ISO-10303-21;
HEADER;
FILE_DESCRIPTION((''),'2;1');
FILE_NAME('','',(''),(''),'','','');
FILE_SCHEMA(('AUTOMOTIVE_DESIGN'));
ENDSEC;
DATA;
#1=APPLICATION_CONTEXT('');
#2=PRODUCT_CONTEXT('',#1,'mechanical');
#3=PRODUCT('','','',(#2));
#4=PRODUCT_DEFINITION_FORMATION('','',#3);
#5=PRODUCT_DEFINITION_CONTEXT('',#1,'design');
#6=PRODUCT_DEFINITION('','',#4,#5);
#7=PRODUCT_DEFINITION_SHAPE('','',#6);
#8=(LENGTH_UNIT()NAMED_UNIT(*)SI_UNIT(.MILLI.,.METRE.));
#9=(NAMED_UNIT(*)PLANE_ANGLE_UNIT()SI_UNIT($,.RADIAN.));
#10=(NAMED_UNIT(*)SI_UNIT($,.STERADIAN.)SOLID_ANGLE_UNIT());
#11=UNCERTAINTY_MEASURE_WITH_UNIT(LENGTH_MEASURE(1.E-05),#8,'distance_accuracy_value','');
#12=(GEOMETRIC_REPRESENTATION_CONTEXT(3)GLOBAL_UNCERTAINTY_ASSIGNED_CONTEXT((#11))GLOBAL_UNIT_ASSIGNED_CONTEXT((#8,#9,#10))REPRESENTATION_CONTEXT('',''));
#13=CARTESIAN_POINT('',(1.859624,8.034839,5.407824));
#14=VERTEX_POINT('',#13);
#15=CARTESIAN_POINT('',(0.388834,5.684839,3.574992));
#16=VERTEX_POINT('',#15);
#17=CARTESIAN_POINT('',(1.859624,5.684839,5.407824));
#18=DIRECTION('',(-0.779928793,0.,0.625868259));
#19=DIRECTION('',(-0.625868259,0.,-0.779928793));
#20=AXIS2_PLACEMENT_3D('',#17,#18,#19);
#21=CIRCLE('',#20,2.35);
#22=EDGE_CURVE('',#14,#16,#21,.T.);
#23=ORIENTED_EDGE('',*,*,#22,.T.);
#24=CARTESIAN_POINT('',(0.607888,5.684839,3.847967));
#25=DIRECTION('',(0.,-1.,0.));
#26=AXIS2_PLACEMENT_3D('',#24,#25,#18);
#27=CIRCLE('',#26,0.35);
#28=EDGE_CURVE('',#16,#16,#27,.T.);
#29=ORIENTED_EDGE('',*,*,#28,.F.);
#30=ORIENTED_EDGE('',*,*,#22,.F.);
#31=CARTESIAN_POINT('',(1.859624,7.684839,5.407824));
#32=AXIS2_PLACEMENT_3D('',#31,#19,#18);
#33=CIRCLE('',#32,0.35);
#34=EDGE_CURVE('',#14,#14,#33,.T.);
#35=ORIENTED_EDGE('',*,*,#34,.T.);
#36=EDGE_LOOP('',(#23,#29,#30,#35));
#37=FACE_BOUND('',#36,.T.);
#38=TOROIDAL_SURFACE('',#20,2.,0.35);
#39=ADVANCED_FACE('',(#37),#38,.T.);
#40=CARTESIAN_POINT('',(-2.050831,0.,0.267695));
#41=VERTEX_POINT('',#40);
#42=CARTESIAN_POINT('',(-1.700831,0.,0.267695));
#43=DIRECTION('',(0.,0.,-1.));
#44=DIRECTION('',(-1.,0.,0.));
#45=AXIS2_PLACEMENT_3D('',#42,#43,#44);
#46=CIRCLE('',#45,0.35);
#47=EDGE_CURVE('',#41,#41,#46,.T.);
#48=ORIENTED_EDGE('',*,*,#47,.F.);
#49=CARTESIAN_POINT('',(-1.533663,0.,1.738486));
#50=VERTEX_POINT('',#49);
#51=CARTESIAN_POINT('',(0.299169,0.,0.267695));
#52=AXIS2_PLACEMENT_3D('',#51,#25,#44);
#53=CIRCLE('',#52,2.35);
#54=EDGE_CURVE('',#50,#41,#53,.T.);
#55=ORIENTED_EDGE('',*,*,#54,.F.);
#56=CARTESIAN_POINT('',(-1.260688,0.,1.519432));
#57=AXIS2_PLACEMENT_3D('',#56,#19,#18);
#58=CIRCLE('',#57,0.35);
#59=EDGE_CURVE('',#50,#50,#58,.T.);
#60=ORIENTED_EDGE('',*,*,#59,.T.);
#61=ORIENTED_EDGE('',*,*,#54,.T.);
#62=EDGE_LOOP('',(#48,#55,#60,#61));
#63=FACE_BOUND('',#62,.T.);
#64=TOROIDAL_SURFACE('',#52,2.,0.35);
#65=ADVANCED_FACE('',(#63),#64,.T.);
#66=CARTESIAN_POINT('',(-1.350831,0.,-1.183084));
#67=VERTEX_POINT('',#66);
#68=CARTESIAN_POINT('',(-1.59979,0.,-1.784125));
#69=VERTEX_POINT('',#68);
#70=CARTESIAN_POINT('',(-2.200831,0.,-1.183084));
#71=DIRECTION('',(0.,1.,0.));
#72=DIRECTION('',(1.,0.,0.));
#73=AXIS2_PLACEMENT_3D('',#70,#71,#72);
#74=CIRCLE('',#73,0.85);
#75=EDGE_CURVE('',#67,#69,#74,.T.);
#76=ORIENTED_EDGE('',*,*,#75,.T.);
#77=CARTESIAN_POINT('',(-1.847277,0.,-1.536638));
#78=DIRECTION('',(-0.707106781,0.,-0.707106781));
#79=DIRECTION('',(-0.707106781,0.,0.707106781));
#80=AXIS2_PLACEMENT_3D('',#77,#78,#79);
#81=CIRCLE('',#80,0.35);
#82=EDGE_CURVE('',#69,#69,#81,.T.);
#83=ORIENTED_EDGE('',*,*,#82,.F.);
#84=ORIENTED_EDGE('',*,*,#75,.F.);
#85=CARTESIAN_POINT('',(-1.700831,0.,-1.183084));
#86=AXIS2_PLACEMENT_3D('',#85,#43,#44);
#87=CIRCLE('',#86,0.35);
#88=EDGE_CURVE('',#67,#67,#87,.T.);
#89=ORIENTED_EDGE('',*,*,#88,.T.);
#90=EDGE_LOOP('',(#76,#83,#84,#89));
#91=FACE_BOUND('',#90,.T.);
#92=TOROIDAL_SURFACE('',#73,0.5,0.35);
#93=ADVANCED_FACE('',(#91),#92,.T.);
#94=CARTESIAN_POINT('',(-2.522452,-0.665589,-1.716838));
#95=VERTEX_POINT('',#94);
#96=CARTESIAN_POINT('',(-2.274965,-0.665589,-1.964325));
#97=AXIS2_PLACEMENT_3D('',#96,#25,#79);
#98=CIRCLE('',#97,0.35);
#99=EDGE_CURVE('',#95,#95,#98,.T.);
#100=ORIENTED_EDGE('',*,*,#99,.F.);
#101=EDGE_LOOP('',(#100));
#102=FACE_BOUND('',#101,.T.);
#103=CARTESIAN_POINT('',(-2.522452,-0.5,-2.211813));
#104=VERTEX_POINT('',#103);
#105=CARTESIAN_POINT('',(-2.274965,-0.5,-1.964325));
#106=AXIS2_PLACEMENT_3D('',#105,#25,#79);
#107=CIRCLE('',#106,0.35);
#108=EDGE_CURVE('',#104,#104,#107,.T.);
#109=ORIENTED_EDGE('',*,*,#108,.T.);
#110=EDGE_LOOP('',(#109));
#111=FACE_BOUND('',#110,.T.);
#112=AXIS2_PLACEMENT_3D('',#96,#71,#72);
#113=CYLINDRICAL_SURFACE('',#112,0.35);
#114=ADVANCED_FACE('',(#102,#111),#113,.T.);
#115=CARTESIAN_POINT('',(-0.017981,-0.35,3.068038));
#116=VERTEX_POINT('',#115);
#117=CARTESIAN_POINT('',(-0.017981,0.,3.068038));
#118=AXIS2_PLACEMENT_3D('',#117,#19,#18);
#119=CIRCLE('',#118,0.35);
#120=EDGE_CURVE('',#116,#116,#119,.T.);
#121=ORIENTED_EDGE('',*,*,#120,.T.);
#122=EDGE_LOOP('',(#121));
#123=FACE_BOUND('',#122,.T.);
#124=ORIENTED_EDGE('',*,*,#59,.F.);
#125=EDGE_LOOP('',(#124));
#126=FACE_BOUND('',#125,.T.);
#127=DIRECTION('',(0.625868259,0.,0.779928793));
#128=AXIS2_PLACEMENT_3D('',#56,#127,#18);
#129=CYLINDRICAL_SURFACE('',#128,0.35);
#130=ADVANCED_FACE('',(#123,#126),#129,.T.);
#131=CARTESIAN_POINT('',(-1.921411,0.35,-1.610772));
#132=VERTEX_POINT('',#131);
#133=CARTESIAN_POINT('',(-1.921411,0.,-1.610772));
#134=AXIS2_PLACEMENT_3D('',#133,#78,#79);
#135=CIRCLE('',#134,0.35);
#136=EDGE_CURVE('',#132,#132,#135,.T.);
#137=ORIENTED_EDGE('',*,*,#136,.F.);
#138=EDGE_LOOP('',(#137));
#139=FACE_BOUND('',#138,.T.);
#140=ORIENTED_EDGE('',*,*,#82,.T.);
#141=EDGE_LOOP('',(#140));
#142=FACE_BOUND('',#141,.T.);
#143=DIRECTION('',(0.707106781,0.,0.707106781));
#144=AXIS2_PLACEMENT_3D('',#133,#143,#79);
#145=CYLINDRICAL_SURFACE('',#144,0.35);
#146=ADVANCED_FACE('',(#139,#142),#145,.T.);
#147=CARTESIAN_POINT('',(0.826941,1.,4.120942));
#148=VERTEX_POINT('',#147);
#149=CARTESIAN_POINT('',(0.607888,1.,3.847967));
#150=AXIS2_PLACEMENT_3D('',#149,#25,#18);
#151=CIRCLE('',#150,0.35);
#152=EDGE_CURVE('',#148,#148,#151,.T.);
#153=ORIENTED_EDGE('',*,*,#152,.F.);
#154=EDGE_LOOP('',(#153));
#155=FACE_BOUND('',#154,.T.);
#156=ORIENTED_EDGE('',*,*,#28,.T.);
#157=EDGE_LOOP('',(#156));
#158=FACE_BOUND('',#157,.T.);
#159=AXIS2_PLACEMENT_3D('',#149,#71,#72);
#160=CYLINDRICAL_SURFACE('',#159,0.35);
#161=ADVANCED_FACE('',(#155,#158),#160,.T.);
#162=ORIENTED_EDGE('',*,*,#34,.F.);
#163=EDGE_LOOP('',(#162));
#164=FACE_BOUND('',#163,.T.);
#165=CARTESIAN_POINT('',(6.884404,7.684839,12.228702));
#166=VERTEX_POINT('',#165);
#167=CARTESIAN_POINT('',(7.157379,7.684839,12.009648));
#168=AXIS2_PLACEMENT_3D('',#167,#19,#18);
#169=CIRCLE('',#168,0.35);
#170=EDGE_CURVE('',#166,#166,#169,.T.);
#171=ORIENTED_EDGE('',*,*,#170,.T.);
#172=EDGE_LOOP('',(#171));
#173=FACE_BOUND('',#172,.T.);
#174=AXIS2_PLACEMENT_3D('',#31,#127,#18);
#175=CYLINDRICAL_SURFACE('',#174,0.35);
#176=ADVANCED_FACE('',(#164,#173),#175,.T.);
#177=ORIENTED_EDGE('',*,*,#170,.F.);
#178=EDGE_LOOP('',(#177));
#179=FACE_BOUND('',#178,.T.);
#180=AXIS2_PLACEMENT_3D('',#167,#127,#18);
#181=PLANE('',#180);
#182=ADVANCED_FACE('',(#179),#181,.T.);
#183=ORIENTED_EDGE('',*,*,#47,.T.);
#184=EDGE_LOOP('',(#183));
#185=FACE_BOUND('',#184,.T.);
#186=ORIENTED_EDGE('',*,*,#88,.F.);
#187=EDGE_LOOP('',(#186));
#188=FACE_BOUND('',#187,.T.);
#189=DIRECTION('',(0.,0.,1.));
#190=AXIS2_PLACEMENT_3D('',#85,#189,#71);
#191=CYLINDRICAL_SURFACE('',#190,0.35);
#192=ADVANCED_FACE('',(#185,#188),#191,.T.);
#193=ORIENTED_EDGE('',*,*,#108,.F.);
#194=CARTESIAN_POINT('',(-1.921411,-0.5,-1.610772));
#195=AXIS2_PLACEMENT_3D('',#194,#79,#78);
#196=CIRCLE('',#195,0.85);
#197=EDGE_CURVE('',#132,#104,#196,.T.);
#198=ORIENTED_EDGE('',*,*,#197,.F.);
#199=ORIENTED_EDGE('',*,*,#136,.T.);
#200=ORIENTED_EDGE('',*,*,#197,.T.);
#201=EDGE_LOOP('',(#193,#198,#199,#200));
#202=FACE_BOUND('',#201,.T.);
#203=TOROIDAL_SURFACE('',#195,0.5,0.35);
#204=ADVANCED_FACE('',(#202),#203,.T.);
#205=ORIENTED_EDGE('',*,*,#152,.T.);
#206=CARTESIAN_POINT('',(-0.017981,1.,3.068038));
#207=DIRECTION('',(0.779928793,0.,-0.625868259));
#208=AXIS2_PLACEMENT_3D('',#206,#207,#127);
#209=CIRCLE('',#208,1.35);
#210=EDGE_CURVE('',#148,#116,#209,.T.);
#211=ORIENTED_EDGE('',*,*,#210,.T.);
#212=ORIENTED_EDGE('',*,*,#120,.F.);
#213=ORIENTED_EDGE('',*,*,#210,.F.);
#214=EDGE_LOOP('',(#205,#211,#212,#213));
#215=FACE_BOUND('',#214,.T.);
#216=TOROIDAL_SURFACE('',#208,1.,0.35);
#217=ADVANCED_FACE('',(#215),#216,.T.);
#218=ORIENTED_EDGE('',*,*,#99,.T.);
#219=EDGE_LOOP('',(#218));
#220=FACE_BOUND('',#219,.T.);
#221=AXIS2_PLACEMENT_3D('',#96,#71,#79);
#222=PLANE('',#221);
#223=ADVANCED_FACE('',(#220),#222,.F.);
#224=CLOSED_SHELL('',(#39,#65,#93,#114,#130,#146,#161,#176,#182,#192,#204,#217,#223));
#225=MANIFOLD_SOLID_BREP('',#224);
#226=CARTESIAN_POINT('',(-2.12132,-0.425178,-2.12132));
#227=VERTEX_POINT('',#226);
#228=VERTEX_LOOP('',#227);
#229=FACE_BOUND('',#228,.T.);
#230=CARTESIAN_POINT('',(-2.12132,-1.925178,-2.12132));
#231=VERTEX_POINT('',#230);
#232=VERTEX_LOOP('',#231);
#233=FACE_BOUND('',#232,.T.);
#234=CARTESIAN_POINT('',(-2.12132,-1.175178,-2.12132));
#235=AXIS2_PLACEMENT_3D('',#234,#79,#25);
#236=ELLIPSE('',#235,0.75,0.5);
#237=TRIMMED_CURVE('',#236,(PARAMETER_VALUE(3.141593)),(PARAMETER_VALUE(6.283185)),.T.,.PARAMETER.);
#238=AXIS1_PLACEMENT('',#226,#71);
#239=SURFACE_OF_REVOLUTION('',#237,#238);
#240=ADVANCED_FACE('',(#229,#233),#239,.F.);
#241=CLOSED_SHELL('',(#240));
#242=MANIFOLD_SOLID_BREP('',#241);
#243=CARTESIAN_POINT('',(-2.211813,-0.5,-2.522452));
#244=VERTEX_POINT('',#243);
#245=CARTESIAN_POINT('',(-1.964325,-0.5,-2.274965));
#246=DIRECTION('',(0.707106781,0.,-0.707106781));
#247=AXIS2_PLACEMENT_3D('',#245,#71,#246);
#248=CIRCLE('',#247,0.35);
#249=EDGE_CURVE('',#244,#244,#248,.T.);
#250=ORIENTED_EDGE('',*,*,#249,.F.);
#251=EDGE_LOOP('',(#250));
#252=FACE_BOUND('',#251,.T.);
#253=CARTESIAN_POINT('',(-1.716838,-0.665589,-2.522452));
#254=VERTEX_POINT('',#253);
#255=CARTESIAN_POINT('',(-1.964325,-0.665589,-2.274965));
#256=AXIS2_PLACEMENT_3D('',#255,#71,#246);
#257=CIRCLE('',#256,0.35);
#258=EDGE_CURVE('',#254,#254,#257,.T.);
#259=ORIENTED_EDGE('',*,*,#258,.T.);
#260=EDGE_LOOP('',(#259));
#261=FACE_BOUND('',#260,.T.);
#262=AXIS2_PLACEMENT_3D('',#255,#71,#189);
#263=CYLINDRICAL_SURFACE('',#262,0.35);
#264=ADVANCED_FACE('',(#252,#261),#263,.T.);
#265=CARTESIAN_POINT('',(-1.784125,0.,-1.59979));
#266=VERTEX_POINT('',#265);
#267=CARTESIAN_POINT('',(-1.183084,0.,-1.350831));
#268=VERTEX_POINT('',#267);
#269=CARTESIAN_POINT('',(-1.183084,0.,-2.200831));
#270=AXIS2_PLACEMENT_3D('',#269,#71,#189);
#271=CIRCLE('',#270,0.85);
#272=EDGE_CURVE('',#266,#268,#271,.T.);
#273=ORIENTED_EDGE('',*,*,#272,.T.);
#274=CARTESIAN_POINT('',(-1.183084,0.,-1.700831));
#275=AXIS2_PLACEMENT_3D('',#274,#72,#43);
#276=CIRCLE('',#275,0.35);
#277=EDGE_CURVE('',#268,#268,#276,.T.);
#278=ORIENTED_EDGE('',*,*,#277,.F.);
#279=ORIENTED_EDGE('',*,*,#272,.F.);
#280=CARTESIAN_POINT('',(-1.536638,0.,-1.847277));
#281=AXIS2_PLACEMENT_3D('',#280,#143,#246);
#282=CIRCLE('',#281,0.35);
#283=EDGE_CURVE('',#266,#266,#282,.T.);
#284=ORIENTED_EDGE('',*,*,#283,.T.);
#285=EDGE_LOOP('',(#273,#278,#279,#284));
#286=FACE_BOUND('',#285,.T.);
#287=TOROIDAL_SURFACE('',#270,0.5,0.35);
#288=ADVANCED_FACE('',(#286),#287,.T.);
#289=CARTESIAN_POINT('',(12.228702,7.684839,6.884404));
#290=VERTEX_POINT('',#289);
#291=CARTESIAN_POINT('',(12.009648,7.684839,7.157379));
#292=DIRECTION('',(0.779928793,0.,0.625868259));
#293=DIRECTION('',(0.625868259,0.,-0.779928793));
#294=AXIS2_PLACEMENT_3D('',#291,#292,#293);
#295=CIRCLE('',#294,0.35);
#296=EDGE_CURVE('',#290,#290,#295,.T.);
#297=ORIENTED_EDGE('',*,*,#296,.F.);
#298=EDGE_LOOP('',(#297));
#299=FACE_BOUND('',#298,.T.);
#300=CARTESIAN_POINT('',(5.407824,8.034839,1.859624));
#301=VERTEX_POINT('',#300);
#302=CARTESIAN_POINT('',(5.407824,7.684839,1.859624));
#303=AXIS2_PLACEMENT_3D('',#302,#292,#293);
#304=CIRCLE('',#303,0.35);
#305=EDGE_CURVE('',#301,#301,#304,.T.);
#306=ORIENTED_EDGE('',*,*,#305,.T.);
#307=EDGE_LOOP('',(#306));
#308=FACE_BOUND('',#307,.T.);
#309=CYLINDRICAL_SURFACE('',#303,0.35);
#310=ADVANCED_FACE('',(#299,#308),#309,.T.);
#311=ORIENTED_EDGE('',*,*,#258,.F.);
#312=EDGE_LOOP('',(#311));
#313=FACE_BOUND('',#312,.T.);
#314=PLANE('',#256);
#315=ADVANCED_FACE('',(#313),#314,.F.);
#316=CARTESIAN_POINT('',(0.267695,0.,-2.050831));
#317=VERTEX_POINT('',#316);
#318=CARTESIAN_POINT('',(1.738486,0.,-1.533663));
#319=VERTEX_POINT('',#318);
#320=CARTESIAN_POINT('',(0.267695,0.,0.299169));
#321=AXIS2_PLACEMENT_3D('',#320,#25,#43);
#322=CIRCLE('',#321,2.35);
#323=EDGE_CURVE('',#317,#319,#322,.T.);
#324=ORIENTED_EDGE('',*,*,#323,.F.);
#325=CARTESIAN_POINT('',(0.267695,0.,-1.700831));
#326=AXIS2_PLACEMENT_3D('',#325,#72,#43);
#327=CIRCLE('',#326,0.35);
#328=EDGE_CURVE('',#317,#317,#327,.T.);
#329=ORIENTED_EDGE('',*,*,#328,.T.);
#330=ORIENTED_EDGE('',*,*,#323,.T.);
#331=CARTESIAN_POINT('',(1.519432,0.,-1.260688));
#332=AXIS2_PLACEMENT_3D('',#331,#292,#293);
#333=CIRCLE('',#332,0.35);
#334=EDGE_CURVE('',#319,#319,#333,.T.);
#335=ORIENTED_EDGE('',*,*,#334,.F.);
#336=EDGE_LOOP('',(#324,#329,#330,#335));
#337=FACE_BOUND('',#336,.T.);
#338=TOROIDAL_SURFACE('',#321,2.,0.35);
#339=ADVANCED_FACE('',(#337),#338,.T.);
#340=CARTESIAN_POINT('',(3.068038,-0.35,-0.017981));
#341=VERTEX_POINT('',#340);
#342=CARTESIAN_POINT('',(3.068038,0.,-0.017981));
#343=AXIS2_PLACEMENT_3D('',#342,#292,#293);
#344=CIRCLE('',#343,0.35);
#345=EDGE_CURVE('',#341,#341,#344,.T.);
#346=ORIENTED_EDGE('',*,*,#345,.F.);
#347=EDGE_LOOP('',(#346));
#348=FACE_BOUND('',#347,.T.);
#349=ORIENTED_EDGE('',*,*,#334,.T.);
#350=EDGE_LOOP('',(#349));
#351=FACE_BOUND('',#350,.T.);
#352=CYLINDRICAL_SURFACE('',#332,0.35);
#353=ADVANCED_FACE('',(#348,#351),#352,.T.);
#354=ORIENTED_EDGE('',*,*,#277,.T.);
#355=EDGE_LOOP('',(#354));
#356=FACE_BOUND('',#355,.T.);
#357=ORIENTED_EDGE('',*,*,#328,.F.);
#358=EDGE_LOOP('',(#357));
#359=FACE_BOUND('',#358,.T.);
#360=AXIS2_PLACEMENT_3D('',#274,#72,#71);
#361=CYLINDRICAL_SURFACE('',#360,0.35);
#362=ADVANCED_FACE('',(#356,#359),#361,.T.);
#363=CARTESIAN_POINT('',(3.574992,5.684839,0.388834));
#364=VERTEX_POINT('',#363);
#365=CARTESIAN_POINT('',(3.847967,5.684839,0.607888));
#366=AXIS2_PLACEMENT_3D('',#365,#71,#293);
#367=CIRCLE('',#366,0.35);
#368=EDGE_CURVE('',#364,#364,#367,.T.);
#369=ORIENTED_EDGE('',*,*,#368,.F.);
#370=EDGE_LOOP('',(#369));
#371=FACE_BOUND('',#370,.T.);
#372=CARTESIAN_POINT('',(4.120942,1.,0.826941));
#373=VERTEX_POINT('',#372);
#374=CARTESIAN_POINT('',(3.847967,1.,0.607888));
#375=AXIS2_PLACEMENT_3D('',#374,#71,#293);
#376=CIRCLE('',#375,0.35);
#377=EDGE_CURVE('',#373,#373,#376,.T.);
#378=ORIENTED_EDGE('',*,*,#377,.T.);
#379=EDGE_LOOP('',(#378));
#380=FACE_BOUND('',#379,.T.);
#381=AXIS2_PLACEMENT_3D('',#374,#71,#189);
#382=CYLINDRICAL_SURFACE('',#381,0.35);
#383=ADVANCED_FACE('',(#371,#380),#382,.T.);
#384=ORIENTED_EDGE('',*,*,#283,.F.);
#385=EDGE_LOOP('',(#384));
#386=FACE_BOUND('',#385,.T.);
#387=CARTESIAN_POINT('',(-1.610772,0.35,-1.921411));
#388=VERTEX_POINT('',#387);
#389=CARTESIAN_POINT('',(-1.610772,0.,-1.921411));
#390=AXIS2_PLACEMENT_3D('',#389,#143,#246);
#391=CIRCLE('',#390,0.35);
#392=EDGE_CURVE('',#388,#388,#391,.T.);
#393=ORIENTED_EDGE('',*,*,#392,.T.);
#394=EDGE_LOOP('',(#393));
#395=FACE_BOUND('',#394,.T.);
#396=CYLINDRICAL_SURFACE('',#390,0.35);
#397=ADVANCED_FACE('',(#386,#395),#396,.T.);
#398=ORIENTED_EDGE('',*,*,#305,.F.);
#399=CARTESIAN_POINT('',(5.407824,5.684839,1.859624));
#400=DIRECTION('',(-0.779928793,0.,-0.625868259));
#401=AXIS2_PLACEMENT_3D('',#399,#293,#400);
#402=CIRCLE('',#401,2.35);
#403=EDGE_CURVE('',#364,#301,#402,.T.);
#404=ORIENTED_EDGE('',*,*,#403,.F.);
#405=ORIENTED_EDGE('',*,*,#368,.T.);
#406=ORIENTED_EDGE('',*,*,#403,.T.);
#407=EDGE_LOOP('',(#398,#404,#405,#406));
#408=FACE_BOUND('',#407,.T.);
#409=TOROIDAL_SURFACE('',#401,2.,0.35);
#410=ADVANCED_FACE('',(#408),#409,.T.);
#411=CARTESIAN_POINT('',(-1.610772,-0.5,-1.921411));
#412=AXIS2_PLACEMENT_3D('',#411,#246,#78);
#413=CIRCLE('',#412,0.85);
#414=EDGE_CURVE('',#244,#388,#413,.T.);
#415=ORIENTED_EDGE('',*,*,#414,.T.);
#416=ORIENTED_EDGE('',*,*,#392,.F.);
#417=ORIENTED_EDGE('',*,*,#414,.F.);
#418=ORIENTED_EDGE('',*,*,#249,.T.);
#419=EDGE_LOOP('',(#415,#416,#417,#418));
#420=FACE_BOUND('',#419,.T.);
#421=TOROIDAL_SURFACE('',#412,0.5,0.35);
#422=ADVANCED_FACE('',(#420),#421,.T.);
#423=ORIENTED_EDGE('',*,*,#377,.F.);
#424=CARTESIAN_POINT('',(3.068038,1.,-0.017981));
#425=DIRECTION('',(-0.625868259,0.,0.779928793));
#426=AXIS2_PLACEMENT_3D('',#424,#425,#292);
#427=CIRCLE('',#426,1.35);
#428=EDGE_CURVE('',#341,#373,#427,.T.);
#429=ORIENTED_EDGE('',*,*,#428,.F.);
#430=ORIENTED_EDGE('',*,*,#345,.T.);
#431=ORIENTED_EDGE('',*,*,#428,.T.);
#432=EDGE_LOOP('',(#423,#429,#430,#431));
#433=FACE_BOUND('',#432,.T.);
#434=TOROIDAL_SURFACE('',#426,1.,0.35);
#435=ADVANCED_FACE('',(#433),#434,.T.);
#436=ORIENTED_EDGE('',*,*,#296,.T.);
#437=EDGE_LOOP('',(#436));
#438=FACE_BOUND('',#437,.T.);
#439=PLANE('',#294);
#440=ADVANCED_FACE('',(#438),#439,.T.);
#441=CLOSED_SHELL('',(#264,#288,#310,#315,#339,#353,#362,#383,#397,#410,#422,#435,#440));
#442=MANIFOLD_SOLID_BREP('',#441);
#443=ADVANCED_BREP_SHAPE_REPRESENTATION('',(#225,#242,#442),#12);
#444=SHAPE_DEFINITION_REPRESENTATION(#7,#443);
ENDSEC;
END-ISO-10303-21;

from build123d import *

# Parameters (mm, degrees)
SKETCH2_R = 0.35


with BuildPart() as part:
    # Sweep1: sweep along a curve in space
    with BuildLine() as sweep1_path:
        Line((-1.964325191, -0.5, -2.27496459), (-1.964325191, -0.665589347, -2.27496459))
        ThreePointArc((-1.610771801, 0, -1.921411199), (-1.860771801, -0.146446609, -2.171411199), (-1.964325191, -0.5, -2.27496459))
        Line((-1.610771801, 0, -1.921411199), (-1.536637852, 0, -1.847277251))
        ThreePointArc((-1.536637852, 0, -1.847277251), (-1.374426178, 0, -1.738890875), (-1.183084462, 0, -1.700830641))
        Line((-1.183084462, 0, -1.700830641), (0.267695477, 0, -1.700830641))
        ThreePointArc((0.267695477, 0, -1.700830641), (0.931127774, 0, -1.587589128), (1.519431994, 0, -1.260688228))
        Line((1.519431994, 0, -1.260688228), (3.068038044, 0, -0.017980713))
        ThreePointArc((3.068038044, 0, -0.017980713), (3.619530983, 0.292893219, 0.424574977), (3.847966837, 1, 0.607887545))
        Line((3.847966837, 1, 0.607887545), (3.847966837, 5.684839104, 0.607887545))
        ThreePointArc((3.847966837, 5.684839104, 0.607887545), (4.304838547, 7.099052666, 0.974512683), (5.407824424, 7.684839104, 1.859624063))
        Line((5.407824424, 7.684839104, 1.859624063), (12.009648162, 7.684839104, 7.157379402))
    # Sketch2 → Sweep1 (sweep)
    with BuildSketch(Plane(origin=(12.009648162, 7.684839104, 7.157379402), x_dir=(0.6258682588458945, 0, -0.7799287932684679), z_dir=(0.7799287932684679, 0, 0.6258682588458945))):
        Circle(SKETCH2_R)
    sweep(path=sweep1_path.line)


with BuildPart() as body_2:
    # Mirror3: mirrored copy
    add(part.part.mirror(Plane(origin=(0, 0, 0), x_dir=(0.7071067811865439, 0, 0.7071067811865512), z_dir=(-0.7071067811865513, 0, 0.7071067811865438))))


with BuildPart() as body_3:
    # Sketch4 → Revolve1 (revolve)
    with BuildSketch(Plane(origin=(0, 0, 0), x_dir=(0.7071067811865438, 0, 0.7071067811865513), z_dir=(-0.7071067811865513, 0, 0.7071067811865438))):
        with BuildLine():
            Line((-3, -0.425178219), (-3, -1.925178219))
            add(Edge.make_bspline(
                [(-3, -0.425178219), (-3.5, -0.425178219), (-3.5, -1.175178219), (-3.5, -1.925178219), (-3, -1.925178219)],
                knots=[3.141592654, 3.141592654, 3.141592654, 4.71238898, 4.71238898, 6.283185307, 6.283185307, 6.283185307], degree=2, weights=[1, 0.707106781, 1, 0.707106781, 1]))
        make_face()
    revolve(axis=Axis((-2.121320344, -0.425178219, -2.121320344), (0, -1, 0)))


solid = Compound([part.part, body_2.part, body_3.part])
